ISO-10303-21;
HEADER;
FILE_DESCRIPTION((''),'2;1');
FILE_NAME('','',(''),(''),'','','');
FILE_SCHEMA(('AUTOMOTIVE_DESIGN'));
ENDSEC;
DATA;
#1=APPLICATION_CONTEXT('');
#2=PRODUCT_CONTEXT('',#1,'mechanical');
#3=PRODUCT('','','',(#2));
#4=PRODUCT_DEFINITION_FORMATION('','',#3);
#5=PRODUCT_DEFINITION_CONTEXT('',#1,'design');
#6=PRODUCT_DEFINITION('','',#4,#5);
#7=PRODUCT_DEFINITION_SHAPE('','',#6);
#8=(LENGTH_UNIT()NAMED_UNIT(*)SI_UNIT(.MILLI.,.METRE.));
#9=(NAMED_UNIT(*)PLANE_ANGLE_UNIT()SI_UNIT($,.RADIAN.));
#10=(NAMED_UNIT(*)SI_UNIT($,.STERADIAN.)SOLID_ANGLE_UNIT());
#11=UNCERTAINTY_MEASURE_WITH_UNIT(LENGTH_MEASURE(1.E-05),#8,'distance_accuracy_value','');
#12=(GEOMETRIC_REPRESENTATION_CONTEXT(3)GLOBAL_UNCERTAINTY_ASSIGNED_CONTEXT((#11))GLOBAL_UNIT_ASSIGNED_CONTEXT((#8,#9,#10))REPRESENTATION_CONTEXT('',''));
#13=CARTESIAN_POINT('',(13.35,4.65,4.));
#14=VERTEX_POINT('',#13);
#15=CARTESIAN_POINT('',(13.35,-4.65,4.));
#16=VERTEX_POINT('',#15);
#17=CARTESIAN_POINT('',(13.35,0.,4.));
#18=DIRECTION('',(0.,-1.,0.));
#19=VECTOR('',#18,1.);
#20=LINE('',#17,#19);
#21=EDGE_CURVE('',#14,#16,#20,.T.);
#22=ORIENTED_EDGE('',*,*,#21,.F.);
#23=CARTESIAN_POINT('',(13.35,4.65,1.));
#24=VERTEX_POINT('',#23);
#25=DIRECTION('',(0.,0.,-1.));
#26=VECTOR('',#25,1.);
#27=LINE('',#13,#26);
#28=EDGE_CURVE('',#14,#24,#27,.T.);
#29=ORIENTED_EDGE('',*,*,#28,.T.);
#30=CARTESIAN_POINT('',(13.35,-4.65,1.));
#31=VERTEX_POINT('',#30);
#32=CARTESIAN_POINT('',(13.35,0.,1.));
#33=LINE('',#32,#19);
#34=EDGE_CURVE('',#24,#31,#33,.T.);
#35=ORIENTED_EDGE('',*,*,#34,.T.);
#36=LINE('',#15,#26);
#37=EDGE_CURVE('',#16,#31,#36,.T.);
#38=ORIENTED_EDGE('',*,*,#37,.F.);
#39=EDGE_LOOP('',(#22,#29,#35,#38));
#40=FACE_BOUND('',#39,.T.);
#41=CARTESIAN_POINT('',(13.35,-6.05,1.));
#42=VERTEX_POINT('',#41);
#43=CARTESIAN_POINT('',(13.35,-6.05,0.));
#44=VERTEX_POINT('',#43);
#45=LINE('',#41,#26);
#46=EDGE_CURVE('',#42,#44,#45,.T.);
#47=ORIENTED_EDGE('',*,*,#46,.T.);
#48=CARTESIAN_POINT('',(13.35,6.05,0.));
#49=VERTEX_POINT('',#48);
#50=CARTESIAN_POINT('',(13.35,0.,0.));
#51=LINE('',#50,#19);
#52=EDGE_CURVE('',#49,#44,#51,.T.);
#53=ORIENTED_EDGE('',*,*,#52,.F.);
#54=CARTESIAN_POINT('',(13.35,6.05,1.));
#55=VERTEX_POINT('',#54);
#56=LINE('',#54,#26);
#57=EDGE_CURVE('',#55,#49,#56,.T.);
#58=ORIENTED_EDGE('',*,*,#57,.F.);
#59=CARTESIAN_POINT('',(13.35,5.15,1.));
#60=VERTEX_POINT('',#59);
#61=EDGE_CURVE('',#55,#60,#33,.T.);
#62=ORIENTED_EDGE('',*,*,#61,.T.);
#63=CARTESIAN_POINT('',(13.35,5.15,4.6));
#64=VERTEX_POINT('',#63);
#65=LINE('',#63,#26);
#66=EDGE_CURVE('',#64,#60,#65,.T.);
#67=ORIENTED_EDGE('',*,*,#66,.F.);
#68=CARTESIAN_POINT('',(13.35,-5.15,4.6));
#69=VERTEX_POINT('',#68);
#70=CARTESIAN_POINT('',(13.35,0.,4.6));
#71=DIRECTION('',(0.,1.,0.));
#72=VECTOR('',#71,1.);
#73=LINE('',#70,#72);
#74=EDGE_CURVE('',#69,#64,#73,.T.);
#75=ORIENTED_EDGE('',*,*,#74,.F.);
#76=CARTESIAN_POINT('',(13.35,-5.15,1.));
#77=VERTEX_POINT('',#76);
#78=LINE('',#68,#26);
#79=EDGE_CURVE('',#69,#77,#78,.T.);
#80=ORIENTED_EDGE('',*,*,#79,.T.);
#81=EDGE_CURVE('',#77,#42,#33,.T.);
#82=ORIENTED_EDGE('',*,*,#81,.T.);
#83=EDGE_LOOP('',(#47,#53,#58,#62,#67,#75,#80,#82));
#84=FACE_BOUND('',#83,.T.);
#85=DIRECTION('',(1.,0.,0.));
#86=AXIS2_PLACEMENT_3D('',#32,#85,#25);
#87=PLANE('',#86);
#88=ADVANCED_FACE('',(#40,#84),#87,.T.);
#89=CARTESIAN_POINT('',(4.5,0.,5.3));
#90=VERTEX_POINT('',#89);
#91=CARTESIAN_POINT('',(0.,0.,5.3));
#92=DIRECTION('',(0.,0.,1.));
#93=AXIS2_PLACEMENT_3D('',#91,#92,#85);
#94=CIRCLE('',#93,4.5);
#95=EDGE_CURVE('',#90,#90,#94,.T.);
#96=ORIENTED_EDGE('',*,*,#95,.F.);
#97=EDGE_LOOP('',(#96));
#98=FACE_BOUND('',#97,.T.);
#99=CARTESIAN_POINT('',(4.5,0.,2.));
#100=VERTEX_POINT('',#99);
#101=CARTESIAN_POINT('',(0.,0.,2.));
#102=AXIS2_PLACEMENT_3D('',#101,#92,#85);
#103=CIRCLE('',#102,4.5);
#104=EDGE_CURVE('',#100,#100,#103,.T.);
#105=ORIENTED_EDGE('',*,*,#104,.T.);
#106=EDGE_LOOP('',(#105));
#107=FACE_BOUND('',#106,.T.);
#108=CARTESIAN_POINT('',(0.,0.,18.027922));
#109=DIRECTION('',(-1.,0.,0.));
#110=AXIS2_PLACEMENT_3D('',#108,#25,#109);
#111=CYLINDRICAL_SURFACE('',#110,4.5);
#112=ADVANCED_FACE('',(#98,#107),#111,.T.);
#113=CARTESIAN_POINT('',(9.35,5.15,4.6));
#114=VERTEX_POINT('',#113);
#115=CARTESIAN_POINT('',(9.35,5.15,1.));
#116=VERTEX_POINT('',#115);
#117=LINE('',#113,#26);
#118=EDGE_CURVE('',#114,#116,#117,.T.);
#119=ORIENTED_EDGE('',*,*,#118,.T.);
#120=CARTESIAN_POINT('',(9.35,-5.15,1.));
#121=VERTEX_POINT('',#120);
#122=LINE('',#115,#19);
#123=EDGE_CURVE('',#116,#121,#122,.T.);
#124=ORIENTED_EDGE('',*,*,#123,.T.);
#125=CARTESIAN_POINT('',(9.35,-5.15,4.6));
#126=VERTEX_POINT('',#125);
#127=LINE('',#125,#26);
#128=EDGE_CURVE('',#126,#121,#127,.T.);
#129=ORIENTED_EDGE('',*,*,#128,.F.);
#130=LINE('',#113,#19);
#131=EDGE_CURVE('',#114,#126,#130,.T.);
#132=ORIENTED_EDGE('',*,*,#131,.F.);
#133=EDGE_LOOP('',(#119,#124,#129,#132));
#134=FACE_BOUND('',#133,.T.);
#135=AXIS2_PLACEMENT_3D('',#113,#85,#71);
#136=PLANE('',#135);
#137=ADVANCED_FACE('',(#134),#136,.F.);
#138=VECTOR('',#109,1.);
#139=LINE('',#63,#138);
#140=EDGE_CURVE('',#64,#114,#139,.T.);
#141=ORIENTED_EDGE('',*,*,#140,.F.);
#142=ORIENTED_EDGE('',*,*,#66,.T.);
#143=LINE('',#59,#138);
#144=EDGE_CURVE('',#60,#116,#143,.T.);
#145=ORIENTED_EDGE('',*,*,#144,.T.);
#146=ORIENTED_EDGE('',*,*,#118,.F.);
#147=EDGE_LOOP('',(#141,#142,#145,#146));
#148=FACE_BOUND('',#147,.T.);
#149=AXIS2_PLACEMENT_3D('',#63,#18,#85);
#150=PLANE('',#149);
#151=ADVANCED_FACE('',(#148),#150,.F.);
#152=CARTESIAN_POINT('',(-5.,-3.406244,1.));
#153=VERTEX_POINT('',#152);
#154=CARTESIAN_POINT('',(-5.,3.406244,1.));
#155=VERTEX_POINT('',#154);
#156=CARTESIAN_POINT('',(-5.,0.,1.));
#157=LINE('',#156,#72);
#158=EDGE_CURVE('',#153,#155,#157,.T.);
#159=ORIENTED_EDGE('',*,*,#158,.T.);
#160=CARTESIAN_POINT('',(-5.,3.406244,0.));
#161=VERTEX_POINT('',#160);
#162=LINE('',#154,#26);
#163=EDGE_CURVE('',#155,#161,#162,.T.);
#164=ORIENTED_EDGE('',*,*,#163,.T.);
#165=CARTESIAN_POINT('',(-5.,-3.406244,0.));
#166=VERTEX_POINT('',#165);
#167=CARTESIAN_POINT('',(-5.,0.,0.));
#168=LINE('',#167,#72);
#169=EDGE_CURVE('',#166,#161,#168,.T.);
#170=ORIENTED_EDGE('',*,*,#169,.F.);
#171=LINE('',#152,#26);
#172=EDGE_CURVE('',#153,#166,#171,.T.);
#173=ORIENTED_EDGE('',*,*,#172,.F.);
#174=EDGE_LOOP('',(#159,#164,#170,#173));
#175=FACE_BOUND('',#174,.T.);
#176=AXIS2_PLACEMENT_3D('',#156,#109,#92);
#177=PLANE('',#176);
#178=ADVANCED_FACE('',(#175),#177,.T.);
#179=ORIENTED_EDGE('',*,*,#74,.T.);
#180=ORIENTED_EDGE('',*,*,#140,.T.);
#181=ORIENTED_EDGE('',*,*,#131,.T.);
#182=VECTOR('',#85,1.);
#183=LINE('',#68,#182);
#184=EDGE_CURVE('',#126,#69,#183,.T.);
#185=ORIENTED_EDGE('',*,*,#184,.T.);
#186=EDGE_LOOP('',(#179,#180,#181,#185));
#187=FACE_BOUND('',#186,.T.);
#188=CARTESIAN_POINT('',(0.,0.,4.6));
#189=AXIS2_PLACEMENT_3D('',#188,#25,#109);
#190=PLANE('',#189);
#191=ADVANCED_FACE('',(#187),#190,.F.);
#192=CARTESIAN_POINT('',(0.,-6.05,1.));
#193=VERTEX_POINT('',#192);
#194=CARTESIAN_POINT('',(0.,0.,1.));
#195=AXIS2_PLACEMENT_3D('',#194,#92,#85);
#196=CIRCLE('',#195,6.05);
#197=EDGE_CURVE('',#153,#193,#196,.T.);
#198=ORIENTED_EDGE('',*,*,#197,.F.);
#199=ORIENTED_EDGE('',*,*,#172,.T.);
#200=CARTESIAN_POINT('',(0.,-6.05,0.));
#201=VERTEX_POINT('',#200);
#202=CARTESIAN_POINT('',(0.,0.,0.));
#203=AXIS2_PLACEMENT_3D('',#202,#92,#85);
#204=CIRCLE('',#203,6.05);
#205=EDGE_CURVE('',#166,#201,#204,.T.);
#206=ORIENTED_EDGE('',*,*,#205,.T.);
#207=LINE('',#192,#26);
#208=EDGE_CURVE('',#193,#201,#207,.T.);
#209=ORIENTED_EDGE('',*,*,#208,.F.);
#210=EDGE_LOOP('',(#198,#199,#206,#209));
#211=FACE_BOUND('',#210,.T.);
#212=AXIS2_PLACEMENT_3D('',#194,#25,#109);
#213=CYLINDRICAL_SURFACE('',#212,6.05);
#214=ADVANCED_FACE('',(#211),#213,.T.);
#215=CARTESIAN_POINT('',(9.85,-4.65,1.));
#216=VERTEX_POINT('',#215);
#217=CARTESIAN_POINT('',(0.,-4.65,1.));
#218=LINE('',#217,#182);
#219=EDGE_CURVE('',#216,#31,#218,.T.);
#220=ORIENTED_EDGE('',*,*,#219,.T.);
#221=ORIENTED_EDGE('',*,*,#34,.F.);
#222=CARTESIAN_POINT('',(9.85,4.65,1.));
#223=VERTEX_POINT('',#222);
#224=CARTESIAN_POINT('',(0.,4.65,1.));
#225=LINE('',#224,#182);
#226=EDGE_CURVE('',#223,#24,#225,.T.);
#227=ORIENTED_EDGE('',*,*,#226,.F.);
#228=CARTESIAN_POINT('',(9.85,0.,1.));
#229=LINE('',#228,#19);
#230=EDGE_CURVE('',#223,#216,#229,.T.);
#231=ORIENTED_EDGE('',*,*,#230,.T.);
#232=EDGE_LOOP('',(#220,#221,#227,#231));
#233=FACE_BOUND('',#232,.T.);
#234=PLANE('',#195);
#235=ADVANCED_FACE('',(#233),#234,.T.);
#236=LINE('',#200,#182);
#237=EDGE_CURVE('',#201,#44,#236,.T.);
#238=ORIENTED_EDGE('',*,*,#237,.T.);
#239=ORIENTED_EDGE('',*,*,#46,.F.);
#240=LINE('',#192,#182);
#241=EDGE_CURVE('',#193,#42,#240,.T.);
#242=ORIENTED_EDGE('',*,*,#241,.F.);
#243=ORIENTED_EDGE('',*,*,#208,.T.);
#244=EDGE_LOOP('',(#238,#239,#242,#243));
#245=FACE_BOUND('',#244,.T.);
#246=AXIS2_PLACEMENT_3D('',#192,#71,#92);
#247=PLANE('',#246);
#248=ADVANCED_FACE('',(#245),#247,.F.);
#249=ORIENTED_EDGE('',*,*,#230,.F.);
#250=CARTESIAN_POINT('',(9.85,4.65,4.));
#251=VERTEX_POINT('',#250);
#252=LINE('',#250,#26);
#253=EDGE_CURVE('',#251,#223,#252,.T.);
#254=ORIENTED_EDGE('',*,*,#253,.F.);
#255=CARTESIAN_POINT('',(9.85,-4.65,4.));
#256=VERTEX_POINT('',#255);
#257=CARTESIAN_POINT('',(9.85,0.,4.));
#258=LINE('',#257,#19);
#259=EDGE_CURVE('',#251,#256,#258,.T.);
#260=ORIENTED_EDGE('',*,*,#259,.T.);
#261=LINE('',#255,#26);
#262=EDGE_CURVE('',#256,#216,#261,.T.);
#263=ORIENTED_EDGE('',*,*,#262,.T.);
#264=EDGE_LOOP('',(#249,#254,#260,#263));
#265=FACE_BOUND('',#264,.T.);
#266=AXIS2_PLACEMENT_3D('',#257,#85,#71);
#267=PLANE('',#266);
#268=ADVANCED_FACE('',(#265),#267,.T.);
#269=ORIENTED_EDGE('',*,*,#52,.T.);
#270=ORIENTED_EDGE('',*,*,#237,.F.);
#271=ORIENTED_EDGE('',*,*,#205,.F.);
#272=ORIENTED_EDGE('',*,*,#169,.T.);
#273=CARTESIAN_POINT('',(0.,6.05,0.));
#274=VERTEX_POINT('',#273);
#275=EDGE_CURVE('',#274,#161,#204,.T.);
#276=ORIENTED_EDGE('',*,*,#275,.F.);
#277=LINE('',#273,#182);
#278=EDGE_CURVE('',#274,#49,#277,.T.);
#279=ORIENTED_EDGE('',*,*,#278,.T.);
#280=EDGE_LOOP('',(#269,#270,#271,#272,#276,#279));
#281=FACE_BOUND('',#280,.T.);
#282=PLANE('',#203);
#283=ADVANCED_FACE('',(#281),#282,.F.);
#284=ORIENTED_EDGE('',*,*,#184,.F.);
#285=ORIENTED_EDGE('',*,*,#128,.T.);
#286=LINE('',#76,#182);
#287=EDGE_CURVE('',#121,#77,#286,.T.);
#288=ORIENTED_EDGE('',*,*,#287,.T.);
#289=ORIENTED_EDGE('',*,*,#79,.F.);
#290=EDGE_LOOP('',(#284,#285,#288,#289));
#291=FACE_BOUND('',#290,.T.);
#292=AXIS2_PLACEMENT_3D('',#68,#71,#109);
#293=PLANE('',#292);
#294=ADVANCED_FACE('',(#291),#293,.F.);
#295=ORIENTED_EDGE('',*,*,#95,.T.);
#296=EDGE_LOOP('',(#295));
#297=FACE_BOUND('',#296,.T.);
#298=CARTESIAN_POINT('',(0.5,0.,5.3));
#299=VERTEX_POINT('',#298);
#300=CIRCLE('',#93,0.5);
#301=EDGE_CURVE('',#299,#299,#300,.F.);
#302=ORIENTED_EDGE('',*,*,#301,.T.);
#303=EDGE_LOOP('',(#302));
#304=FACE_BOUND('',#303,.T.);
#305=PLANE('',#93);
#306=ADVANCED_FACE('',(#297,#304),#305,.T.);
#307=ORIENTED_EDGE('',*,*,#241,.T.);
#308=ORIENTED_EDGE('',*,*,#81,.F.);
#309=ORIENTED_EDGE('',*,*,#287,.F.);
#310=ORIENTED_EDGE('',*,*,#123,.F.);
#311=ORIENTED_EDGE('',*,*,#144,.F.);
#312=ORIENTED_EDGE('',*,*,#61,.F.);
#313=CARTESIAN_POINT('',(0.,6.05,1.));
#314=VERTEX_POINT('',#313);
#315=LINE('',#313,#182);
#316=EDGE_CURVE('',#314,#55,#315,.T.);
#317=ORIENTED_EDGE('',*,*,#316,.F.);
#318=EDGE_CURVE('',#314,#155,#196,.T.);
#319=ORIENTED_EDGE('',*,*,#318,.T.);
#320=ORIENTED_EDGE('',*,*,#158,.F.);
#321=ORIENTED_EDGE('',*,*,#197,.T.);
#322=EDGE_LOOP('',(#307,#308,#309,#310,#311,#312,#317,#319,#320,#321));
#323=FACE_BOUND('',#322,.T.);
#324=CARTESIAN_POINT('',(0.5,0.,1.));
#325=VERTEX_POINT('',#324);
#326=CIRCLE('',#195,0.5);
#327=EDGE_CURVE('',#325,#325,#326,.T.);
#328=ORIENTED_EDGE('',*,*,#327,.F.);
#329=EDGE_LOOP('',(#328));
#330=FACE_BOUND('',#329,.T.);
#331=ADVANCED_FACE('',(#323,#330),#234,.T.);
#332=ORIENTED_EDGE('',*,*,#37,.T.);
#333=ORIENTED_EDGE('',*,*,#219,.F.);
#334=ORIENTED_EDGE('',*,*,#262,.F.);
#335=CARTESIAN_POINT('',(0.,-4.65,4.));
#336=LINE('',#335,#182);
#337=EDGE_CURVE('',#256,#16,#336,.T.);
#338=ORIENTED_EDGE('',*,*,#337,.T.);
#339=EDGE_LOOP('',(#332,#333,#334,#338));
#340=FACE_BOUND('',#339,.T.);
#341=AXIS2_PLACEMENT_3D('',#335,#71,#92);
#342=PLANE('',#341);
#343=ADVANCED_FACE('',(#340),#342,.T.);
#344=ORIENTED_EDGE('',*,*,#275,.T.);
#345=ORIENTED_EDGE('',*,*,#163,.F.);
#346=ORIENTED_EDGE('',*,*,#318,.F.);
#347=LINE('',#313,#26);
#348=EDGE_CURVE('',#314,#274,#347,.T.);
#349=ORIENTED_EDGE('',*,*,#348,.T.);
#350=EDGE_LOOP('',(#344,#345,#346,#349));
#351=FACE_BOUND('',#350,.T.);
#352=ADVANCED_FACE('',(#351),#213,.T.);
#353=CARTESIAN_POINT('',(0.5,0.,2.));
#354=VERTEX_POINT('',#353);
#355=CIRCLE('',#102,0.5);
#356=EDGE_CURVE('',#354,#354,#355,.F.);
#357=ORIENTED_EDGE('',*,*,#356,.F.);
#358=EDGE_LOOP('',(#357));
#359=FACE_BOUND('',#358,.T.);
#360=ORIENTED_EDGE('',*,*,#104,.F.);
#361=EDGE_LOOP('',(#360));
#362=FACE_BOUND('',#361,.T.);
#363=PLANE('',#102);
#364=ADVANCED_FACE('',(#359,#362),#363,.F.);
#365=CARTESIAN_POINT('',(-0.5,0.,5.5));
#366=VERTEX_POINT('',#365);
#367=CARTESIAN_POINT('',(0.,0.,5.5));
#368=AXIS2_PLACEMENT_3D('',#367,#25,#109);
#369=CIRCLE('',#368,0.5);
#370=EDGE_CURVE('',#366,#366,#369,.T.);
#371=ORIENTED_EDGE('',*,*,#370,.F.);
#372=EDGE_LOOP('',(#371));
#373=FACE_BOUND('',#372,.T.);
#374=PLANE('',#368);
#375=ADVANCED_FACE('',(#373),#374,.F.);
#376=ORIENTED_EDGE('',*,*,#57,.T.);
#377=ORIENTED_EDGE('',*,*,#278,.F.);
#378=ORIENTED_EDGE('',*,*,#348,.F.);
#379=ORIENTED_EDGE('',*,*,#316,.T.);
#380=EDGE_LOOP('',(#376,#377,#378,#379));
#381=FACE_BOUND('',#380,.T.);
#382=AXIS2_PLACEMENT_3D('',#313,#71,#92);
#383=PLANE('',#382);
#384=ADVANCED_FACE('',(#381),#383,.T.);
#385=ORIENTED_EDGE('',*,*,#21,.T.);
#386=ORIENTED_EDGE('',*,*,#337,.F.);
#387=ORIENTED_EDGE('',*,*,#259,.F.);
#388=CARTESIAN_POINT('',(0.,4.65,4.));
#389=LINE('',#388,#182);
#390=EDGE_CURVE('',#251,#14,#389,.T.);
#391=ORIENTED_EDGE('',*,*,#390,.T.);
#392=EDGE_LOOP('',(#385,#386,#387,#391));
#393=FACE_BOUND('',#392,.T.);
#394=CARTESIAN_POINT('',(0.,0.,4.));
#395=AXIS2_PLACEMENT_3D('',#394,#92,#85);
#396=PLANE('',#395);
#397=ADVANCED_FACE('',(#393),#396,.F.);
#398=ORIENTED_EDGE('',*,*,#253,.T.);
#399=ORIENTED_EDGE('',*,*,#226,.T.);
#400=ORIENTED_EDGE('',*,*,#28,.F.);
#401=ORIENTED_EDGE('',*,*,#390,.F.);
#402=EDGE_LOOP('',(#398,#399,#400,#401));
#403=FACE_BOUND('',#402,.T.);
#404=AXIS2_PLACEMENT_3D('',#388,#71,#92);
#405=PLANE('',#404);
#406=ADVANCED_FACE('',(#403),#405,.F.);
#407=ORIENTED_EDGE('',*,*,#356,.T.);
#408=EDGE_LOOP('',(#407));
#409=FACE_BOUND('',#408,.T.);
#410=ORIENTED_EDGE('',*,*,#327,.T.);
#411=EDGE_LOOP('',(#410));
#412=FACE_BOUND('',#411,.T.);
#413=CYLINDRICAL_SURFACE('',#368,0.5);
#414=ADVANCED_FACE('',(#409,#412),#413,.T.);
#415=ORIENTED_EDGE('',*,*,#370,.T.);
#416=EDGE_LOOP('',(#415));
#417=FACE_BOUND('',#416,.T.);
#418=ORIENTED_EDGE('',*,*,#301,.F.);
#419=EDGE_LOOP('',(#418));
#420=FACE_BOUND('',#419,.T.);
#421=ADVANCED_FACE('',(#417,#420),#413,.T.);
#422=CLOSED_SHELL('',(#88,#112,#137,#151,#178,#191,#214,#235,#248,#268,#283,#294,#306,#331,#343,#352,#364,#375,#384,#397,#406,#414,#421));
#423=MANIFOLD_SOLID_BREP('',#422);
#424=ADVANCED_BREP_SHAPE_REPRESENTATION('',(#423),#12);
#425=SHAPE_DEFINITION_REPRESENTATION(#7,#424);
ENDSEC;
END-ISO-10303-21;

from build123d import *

# Parameters (mm, degrees)
SKETCH_1_R          = 0.5
EXTRUDE_1_DEPTH     = 1
SKETCH_3_R          = 0.5
EXTRUDE_2_DEPTH     = 5.5
SKETCH_4_R          = 4.5
EXTRUDE_3_DEPTH     = 3.3
EXTRUDE_4_DEPTH     = 3.6
SKETCH_6_W          = 3
SKETCH_6_H          = 9.3
SKETCH_6_W_2        = 0.5
CUT_EXTRUDE_1_DEPTH = 3


with BuildPart() as part:
    # 草图1 → 凸台-拉伸1 (new body)
    # profile 1 of 2: a face of its own
    with BuildSketch(Plane.XY):
        with BuildLine():
            Line((5, -3.406244266), (5, 3.406244266))
            ThreePointArc((5, 3.406244266), (0, 6.05), (-5, 3.406244266))
            Line((-5, 3.406244266), (-5, -3.406244266))
            ThreePointArc((-5, -3.406244266), (0, -6.05), (5, -3.406244266))
        make_face()
        Circle(SKETCH_1_R, mode=Mode.SUBTRACT)
    # profile 2 of 2: a face of its own
    with BuildSketch(Plane.XY):
        with BuildLine():
            Line((13.35, 6.05), (0, 6.05))
            ThreePointArc((0, 6.05), (2.827960589, 5.348377222), (5, 3.406244266))
            Line((5, 3.406244266), (5, -3.406244266))
            ThreePointArc((5, -3.406244266), (2.827960589, -5.348377222), (0, -6.05))
            Line((0, -6.05), (13.35, -6.05))
            Line((13.35, -6.05), (13.35, 6.05))
        make_face()
    extrude(amount=EXTRUDE_1_DEPTH)

    # 草图3 → 凸台-拉伸2 (add)
    with BuildSketch(Plane(origin=(0, 0, 0), x_dir=(-1, 0, 0), z_dir=(0, 0, -1))):
        Circle(SKETCH_3_R)
    extrude(amount=-EXTRUDE_2_DEPTH)

    # 草图4 → 凸台-拉伸3 (add)
    with BuildSketch(Plane.XY.offset(2)):
        Circle(SKETCH_4_R)
    extrude(amount=EXTRUDE_3_DEPTH)

    # 草图5 → 凸台-拉伸4 (add)
    with BuildSketch(Plane.XY.offset(1)):
        Polygon((13.35, 0), (13.35, 5.15), (9.35, 5.15), (9.35, -5.15), (13.35, -5.15), align=None)
    extrude(amount=EXTRUDE_4_DEPTH)

    # 草图6 → 切除-拉伸1 (cut)
    with BuildSketch(Plane.XY.offset(1)):
        with Locations((11.35, 0)):
            Rectangle(SKETCH_6_W, SKETCH_6_H)
        with Locations((13.1, 0)):
            Rectangle(SKETCH_6_W_2, SKETCH_6_H)
    extrude(amount=CUT_EXTRUDE_1_DEPTH, mode=Mode.SUBTRACT)


solid = part.part
